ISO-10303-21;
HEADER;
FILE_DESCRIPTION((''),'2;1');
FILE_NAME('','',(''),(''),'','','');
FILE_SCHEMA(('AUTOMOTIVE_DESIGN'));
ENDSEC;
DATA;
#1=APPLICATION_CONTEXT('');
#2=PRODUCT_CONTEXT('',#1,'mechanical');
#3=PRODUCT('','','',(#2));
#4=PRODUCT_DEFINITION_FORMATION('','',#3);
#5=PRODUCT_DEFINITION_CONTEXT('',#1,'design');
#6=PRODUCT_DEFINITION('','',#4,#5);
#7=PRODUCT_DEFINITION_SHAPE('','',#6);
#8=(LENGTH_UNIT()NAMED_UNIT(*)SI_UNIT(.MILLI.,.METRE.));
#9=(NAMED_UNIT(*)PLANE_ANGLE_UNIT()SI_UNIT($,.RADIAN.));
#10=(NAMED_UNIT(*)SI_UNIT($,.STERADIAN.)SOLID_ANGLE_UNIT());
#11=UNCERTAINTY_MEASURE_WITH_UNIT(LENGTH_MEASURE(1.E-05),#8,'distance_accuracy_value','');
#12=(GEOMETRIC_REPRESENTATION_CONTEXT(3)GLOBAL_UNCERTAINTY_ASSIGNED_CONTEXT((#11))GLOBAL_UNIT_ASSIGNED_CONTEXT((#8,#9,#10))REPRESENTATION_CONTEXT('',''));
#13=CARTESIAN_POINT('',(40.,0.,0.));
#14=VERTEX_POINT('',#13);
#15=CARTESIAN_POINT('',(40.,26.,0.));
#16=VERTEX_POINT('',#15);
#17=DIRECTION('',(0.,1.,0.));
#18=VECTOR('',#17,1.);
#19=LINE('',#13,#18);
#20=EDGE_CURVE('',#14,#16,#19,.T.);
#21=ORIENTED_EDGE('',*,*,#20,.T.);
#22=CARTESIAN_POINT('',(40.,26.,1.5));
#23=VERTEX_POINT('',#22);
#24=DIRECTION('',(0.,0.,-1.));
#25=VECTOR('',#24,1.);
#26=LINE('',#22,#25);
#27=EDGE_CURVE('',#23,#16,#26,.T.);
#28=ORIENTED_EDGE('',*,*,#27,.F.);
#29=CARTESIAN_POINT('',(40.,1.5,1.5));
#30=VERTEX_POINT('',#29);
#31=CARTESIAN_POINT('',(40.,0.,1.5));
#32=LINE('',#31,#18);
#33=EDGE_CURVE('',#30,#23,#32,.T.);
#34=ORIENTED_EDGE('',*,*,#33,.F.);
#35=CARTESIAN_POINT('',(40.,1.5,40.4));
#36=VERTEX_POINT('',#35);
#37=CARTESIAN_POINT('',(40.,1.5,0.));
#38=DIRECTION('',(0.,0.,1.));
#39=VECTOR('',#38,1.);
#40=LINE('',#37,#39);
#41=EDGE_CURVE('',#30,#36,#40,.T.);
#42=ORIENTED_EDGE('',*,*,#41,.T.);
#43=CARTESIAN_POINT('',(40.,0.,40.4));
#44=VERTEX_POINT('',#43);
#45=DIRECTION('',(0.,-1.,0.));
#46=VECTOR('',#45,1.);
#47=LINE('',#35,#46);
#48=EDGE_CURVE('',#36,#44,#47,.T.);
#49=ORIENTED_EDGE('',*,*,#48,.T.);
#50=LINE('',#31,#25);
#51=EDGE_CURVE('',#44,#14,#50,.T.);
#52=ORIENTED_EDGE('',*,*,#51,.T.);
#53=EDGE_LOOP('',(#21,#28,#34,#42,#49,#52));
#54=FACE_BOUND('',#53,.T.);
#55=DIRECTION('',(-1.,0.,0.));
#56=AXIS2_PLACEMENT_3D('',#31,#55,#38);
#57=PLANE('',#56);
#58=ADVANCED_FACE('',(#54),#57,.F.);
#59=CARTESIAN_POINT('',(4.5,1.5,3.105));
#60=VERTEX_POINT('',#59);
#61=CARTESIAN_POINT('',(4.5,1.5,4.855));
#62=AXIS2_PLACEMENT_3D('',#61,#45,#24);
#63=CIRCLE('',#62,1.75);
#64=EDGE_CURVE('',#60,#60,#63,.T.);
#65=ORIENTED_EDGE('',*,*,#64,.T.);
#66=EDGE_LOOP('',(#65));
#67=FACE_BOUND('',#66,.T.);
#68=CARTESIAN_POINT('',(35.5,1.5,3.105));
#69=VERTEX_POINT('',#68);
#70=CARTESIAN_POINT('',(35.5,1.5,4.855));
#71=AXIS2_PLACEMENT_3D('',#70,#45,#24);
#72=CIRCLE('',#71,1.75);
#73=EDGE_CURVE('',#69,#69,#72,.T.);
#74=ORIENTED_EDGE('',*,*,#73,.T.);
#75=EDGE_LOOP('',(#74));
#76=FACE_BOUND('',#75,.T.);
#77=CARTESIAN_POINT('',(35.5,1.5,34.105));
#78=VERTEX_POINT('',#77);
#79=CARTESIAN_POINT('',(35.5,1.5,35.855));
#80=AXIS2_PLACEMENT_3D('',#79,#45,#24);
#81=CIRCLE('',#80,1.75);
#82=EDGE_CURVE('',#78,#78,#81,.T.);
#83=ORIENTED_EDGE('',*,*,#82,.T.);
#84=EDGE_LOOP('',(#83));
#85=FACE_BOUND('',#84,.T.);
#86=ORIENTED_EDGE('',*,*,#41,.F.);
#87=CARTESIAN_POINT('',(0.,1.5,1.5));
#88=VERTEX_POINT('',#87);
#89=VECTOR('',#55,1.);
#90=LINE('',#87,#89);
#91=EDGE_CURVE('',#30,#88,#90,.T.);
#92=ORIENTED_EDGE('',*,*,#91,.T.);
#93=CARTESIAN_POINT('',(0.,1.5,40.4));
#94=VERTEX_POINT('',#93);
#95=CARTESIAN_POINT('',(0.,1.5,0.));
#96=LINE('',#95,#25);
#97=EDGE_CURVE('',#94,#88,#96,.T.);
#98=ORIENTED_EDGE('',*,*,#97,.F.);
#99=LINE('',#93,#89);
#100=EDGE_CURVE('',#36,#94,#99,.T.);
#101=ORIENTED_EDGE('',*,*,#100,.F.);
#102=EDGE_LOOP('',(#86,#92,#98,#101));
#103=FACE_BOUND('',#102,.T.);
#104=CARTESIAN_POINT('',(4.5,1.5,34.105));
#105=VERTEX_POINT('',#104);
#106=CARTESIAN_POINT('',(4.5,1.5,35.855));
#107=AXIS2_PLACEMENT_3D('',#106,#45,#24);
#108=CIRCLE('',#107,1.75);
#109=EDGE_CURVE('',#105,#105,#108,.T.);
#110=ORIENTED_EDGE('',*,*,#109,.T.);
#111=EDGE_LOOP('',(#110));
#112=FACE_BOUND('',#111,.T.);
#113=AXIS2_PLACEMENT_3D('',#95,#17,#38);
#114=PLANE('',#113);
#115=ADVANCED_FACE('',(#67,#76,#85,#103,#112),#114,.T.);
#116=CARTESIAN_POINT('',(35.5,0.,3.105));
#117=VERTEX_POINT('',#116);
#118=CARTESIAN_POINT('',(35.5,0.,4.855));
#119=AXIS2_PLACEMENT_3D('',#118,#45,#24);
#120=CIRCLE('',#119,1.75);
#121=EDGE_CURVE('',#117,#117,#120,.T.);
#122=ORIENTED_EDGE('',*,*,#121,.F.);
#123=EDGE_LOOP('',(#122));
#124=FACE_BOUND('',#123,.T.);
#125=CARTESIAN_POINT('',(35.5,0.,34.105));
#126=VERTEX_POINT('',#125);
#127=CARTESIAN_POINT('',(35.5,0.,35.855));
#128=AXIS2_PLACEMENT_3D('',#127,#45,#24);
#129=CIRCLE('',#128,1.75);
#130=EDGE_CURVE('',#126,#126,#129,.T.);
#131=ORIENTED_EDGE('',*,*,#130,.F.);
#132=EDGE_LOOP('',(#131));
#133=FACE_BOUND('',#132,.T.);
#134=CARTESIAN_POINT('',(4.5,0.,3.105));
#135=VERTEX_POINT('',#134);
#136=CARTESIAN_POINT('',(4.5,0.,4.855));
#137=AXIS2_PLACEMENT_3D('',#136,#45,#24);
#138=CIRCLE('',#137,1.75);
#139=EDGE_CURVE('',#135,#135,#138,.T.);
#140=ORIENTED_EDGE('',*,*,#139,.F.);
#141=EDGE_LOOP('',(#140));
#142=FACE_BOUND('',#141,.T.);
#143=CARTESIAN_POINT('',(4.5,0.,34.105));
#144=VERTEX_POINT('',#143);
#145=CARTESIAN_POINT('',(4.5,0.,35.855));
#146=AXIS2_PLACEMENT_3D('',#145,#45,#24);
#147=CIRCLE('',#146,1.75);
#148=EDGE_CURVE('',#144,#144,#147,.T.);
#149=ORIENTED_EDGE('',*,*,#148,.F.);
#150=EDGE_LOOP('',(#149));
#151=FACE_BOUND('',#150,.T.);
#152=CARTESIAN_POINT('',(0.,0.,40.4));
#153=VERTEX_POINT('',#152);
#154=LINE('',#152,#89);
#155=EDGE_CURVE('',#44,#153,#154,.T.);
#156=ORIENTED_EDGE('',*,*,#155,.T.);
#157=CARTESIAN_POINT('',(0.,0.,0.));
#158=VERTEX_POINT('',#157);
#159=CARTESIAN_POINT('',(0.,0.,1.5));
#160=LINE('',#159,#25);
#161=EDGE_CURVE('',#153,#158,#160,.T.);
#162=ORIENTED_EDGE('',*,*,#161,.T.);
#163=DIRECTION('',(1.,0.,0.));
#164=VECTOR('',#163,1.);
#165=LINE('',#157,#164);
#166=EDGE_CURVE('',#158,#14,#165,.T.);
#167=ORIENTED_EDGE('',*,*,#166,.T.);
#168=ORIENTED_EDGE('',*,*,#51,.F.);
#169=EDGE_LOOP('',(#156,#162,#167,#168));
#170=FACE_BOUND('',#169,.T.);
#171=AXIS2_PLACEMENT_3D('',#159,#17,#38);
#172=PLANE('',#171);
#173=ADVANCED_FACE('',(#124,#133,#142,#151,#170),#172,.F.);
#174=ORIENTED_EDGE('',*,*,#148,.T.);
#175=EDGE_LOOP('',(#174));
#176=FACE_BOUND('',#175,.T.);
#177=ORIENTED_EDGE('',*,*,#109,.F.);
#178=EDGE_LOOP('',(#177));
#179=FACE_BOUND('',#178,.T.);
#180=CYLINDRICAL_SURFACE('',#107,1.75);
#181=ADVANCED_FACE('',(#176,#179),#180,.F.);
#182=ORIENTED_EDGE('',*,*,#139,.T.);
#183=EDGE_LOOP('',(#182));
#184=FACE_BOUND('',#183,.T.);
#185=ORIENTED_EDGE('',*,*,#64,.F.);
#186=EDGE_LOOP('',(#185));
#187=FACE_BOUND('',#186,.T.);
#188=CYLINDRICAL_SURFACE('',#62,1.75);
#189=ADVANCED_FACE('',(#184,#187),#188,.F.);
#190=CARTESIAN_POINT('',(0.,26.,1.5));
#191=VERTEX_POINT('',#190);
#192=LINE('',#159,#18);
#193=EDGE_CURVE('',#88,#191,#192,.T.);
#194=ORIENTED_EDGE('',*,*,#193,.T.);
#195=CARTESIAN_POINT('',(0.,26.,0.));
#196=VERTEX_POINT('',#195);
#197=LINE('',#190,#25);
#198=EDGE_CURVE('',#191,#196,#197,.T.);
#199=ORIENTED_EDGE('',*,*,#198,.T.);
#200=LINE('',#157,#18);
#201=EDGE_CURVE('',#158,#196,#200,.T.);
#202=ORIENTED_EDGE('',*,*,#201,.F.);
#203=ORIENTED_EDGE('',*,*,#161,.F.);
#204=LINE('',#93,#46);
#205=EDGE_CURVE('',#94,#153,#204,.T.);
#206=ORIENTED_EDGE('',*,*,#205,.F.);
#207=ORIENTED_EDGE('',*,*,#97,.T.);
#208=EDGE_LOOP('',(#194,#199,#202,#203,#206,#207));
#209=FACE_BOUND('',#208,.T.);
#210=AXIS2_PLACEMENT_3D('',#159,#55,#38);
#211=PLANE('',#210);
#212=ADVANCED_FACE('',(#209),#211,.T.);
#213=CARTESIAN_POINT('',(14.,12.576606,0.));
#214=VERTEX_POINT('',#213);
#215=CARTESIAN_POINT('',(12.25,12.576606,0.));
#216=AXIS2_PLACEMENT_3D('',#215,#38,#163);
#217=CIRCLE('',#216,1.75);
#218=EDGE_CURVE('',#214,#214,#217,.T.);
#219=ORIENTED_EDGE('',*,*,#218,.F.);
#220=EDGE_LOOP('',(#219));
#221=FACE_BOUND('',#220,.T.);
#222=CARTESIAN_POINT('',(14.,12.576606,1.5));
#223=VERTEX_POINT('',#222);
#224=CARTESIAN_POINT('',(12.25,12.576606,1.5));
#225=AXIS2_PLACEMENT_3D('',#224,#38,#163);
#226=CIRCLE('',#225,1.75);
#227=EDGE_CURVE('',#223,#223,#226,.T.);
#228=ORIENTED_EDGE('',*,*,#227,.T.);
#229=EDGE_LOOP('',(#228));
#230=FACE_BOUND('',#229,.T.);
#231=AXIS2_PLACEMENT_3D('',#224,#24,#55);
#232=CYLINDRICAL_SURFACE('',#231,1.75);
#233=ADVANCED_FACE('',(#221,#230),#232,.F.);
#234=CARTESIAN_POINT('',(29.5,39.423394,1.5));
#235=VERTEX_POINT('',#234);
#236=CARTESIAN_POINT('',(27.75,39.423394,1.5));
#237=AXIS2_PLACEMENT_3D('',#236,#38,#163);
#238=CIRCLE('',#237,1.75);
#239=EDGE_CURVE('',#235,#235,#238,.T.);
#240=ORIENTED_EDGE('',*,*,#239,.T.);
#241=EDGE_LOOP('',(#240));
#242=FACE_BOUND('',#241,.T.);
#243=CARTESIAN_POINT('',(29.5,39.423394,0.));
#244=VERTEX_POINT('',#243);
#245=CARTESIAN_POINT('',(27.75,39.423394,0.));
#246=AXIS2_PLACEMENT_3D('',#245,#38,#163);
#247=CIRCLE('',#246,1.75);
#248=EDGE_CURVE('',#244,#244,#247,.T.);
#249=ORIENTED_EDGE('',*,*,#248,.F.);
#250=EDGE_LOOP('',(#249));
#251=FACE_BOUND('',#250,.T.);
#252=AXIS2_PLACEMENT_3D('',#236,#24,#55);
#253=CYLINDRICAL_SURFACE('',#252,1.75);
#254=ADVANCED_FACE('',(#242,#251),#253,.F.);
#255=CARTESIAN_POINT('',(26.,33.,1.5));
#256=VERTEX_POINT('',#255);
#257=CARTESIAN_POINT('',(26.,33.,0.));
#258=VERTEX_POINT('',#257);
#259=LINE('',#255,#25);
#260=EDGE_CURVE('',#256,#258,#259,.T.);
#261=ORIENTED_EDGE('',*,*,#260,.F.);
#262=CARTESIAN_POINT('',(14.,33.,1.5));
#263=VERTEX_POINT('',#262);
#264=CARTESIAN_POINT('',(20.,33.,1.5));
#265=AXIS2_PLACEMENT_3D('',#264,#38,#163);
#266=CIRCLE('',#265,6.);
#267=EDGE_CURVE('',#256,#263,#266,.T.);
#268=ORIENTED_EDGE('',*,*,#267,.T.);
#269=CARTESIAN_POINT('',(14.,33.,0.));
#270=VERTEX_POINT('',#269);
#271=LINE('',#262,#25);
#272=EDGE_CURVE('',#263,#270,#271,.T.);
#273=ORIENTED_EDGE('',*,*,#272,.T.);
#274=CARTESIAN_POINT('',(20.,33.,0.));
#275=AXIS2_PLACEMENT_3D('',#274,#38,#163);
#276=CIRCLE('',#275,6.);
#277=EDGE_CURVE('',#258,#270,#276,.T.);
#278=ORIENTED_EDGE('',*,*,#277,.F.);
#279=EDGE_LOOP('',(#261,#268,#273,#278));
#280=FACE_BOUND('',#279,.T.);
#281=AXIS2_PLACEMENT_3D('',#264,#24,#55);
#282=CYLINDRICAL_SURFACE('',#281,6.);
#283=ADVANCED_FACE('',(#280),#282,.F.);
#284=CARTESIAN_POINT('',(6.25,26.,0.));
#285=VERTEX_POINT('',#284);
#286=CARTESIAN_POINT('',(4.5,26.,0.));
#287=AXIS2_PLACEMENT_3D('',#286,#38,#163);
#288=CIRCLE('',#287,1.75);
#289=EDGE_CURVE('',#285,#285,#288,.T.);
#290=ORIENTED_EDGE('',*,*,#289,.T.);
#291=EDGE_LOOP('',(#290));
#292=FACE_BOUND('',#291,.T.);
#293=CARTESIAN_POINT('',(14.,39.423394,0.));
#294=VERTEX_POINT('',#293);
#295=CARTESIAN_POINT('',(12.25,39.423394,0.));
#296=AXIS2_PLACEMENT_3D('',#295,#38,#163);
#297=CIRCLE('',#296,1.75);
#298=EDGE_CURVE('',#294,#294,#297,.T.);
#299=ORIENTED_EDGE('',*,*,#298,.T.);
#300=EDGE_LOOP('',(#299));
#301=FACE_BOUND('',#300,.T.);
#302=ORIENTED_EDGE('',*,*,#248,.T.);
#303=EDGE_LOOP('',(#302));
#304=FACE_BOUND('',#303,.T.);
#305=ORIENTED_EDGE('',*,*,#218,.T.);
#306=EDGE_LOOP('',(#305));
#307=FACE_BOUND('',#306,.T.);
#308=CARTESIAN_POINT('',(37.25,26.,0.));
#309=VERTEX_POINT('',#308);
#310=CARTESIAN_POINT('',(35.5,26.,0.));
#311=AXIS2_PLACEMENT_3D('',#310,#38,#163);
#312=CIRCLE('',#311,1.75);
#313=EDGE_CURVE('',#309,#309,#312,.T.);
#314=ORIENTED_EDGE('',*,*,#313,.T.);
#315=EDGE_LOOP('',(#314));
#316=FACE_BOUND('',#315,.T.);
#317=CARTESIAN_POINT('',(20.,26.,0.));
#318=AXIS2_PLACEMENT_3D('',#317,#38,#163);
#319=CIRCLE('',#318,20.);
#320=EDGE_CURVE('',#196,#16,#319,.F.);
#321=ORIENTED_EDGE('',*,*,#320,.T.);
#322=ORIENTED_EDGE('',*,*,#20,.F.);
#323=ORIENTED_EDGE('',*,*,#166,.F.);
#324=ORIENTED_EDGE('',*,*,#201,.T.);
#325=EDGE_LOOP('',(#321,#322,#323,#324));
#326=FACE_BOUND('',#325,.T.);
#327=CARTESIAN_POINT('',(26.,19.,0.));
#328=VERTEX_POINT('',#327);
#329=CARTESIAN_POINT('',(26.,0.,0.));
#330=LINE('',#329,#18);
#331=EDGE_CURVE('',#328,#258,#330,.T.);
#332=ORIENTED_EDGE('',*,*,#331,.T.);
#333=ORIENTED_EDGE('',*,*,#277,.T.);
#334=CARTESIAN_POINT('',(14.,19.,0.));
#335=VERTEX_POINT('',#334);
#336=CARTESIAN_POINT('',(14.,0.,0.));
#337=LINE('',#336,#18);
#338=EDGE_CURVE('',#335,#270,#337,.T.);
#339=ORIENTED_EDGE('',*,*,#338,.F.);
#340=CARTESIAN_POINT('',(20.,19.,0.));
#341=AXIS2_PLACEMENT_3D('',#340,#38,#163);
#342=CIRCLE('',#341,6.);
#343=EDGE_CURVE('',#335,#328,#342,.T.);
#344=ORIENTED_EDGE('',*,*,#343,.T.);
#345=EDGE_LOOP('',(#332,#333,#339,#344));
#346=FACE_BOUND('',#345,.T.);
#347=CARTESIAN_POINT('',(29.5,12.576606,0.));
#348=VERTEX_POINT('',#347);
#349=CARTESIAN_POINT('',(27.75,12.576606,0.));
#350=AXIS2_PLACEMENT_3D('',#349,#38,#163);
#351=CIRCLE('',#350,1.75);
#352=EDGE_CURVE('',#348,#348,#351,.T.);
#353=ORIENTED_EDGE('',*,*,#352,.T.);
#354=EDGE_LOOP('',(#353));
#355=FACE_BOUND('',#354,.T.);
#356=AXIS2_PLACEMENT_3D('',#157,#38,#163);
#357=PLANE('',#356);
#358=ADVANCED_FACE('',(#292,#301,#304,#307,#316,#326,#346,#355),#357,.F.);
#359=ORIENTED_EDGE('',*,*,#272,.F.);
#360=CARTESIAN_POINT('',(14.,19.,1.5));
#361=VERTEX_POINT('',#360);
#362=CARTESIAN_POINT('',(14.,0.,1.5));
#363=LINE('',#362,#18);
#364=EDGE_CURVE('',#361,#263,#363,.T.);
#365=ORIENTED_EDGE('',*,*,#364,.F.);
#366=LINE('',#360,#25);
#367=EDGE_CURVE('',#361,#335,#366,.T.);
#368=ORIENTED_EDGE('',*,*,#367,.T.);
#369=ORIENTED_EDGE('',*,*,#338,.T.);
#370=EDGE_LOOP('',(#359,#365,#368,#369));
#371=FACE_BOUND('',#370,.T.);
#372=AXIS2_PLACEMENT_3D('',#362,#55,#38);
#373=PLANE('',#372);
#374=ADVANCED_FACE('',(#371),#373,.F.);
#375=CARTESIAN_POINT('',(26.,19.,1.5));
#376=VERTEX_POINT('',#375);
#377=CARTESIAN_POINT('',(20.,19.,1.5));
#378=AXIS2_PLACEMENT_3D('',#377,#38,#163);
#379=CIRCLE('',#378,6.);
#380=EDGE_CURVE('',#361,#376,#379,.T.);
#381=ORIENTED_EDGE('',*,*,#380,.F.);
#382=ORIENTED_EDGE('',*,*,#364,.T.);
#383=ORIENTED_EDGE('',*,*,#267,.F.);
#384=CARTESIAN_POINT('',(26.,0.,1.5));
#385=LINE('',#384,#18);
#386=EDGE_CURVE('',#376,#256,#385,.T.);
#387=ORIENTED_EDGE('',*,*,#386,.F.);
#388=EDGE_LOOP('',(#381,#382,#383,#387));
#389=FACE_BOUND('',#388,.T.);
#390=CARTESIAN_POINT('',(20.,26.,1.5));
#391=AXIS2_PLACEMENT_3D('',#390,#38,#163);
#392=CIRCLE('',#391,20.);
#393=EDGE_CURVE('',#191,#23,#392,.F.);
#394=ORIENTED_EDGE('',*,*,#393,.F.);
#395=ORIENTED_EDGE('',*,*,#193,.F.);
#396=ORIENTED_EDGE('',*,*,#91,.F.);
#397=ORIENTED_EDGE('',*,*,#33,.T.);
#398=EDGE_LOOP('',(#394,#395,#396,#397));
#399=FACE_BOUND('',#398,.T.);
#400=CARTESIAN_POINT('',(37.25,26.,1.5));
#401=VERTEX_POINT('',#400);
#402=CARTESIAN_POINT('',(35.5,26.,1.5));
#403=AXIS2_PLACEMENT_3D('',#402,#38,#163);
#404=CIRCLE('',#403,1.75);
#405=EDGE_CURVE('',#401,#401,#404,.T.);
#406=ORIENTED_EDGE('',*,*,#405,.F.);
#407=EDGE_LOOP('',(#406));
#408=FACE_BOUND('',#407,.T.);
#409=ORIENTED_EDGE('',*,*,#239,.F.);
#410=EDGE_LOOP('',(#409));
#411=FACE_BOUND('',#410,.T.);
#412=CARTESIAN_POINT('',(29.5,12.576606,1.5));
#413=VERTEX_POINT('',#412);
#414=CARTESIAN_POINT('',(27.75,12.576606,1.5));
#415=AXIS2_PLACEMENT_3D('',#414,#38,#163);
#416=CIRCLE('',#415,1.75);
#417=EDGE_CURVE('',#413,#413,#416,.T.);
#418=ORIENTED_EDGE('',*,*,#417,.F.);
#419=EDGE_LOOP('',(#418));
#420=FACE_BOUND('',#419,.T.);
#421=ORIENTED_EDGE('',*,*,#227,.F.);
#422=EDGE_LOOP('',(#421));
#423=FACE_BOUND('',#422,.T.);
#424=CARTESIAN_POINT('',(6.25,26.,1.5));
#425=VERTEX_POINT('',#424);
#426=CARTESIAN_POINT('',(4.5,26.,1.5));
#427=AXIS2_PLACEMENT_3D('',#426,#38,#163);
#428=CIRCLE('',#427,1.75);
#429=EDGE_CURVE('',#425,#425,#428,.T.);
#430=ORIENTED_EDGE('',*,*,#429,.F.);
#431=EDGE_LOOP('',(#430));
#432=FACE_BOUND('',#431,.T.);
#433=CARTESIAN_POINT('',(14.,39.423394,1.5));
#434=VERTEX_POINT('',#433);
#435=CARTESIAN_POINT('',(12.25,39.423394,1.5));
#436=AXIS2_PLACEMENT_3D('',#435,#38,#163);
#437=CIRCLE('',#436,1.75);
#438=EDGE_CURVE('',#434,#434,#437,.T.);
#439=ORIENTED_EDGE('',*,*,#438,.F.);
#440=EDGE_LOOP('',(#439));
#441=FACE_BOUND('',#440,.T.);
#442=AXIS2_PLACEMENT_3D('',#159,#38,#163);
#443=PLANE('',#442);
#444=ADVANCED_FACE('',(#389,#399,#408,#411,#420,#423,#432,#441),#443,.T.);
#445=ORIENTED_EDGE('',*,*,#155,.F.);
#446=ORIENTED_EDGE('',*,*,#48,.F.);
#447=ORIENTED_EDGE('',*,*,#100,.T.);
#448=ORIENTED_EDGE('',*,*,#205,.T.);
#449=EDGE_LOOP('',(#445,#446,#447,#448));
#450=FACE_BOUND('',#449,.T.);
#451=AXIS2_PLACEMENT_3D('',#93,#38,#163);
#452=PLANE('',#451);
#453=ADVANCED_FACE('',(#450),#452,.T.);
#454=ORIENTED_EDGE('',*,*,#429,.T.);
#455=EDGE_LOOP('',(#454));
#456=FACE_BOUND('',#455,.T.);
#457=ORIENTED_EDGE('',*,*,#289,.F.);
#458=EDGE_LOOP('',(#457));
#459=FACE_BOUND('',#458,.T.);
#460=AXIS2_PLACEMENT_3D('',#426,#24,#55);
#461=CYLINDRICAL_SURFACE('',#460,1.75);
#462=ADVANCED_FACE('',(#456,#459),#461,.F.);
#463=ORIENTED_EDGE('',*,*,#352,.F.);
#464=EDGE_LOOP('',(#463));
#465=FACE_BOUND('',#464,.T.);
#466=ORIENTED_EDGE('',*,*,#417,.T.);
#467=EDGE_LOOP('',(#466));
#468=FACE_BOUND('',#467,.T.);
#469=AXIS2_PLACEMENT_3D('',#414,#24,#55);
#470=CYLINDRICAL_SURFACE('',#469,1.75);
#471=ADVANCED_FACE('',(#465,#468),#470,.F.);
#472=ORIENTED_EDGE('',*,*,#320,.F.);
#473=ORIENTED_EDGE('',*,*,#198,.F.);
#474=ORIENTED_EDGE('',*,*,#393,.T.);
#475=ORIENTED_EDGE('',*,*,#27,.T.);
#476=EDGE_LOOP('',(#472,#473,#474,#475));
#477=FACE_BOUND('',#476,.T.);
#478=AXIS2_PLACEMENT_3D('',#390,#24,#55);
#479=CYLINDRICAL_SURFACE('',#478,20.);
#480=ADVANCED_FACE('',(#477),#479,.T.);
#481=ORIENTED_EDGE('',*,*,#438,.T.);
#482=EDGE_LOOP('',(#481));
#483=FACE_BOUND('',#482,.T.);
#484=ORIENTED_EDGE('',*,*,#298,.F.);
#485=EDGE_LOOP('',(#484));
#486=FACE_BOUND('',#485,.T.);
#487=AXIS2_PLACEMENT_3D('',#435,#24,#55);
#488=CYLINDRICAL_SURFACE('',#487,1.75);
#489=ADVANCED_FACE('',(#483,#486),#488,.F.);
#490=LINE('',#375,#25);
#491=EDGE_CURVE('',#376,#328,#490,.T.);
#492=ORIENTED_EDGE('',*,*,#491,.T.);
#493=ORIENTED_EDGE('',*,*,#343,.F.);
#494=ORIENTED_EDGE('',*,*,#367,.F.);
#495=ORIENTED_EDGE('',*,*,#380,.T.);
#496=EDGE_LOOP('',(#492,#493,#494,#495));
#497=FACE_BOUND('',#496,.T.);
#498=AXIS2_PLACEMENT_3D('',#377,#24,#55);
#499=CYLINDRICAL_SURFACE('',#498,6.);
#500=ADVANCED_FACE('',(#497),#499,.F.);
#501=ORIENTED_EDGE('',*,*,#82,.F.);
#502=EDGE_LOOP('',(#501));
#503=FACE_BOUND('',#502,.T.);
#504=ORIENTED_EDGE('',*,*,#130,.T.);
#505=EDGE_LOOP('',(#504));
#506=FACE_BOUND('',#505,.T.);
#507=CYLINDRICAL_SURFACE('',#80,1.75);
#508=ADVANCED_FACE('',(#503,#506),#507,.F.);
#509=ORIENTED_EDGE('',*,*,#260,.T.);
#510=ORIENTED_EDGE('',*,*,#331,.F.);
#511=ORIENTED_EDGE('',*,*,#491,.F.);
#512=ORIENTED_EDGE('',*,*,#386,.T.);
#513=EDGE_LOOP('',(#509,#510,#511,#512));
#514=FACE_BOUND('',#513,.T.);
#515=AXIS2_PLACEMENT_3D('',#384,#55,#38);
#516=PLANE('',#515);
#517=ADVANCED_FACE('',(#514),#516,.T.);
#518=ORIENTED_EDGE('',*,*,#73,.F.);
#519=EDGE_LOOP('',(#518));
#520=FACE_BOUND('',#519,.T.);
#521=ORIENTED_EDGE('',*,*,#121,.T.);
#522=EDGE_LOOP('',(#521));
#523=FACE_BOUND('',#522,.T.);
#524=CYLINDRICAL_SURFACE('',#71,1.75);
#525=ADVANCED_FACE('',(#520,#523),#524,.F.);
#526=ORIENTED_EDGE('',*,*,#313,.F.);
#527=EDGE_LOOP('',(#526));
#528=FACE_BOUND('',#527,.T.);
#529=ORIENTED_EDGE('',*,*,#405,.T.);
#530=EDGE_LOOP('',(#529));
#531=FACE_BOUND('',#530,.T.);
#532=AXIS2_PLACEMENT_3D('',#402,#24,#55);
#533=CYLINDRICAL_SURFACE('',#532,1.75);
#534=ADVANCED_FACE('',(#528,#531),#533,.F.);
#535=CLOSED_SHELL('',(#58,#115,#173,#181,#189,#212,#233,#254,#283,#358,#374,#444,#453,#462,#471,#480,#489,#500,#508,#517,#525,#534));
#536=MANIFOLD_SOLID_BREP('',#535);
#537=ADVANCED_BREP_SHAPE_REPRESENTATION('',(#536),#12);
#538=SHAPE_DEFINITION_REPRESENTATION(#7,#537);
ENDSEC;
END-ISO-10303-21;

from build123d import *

# Parameters (mm, degrees)
SKETCH1_R           = 1.75
BOSS_EXTRUDE1_DEPTH = 1.5
SKETCH2_W           = 40
SKETCH2_H           = 40.4
SKETCH2_R           = 1.75
BOSS_EXTRUDE2_DEPTH = 1.5


with BuildPart() as part:
    # Sketch1 → Boss-Extrude1 (new body)
    # profile 1 of 2: a face of its own
    with BuildSketch(Plane.XY):
        with BuildLine():
            Line((0, 26), (0, 0))
            Line((0, 0), (40, 0))
            Line((40, 0), (40, 26))
            Line((40, 26), (37.25, 26))
            ThreePointArc((37.25, 26), (35.5, 24.25), (33.75, 26))
            Line((33.75, 26), (26, 26))
            Line((26, 26), (26, 19))
            ThreePointArc((26, 19), (20, 13), (14, 19))
            Line((14, 19), (14, 26))
            Line((14, 26), (6.25, 26))
            ThreePointArc((6.25, 26), (4.5, 24.25), (2.75, 26))
            Line((2.75, 26), (0, 26))
        make_face()
        with Locations((12.25, 12.576606241)):
            Circle(SKETCH1_R, mode=Mode.SUBTRACT)
        with Locations((27.75, 12.576606241)):
            Circle(SKETCH1_R, mode=Mode.SUBTRACT)
    # profile 2 of 2: a face of its own
    with BuildSketch(Plane.XY):
        with BuildLine():
            ThreePointArc((40, 26), (20, 46), (0, 26))
            Line((0, 26), (2.75, 26))
            ThreePointArc((2.75, 26), (4.5, 27.75), (6.25, 26))
            Line((6.25, 26), (14, 26))
            Line((14, 26), (14, 33))
            ThreePointArc((14, 33), (20, 39), (26, 33))
            Line((26, 33), (26, 26))
            Line((26, 26), (33.75, 26))
            ThreePointArc((33.75, 26), (35.5, 27.75), (37.25, 26))
            Line((37.25, 26), (40, 26))
        make_face()
        with Locations((12.25, 39.423393759)):
            Circle(SKETCH1_R, mode=Mode.SUBTRACT)
        with Locations((27.75, 39.423393759)):
            Circle(SKETCH1_R, mode=Mode.SUBTRACT)
    extrude(amount=BOSS_EXTRUDE1_DEPTH)

    # Sketch2 → Boss-Extrude2 (add)
    with BuildSketch(Plane.XZ):
        with Locations((20, 20.2)):
            Rectangle(SKETCH2_W, SKETCH2_H)
        with Locations(Location((4.5, 35.855, 0), (0, 0, 270))):
            Circle(SKETCH2_R, mode=Mode.SUBTRACT)
        with Locations(Location((35.5, 35.855, 0), (0, 0, 270))):
            Circle(SKETCH2_R, mode=Mode.SUBTRACT)
        with Locations(Location((35.5, 4.855, 0), (0, 0, 270))):
            Circle(SKETCH2_R, mode=Mode.SUBTRACT)
        with Locations(Location((4.5, 4.855, 0), (0, 0, 270))):
            Circle(SKETCH2_R, mode=Mode.SUBTRACT)
    extrude(amount=-BOSS_EXTRUDE2_DEPTH)


solid = part.part
